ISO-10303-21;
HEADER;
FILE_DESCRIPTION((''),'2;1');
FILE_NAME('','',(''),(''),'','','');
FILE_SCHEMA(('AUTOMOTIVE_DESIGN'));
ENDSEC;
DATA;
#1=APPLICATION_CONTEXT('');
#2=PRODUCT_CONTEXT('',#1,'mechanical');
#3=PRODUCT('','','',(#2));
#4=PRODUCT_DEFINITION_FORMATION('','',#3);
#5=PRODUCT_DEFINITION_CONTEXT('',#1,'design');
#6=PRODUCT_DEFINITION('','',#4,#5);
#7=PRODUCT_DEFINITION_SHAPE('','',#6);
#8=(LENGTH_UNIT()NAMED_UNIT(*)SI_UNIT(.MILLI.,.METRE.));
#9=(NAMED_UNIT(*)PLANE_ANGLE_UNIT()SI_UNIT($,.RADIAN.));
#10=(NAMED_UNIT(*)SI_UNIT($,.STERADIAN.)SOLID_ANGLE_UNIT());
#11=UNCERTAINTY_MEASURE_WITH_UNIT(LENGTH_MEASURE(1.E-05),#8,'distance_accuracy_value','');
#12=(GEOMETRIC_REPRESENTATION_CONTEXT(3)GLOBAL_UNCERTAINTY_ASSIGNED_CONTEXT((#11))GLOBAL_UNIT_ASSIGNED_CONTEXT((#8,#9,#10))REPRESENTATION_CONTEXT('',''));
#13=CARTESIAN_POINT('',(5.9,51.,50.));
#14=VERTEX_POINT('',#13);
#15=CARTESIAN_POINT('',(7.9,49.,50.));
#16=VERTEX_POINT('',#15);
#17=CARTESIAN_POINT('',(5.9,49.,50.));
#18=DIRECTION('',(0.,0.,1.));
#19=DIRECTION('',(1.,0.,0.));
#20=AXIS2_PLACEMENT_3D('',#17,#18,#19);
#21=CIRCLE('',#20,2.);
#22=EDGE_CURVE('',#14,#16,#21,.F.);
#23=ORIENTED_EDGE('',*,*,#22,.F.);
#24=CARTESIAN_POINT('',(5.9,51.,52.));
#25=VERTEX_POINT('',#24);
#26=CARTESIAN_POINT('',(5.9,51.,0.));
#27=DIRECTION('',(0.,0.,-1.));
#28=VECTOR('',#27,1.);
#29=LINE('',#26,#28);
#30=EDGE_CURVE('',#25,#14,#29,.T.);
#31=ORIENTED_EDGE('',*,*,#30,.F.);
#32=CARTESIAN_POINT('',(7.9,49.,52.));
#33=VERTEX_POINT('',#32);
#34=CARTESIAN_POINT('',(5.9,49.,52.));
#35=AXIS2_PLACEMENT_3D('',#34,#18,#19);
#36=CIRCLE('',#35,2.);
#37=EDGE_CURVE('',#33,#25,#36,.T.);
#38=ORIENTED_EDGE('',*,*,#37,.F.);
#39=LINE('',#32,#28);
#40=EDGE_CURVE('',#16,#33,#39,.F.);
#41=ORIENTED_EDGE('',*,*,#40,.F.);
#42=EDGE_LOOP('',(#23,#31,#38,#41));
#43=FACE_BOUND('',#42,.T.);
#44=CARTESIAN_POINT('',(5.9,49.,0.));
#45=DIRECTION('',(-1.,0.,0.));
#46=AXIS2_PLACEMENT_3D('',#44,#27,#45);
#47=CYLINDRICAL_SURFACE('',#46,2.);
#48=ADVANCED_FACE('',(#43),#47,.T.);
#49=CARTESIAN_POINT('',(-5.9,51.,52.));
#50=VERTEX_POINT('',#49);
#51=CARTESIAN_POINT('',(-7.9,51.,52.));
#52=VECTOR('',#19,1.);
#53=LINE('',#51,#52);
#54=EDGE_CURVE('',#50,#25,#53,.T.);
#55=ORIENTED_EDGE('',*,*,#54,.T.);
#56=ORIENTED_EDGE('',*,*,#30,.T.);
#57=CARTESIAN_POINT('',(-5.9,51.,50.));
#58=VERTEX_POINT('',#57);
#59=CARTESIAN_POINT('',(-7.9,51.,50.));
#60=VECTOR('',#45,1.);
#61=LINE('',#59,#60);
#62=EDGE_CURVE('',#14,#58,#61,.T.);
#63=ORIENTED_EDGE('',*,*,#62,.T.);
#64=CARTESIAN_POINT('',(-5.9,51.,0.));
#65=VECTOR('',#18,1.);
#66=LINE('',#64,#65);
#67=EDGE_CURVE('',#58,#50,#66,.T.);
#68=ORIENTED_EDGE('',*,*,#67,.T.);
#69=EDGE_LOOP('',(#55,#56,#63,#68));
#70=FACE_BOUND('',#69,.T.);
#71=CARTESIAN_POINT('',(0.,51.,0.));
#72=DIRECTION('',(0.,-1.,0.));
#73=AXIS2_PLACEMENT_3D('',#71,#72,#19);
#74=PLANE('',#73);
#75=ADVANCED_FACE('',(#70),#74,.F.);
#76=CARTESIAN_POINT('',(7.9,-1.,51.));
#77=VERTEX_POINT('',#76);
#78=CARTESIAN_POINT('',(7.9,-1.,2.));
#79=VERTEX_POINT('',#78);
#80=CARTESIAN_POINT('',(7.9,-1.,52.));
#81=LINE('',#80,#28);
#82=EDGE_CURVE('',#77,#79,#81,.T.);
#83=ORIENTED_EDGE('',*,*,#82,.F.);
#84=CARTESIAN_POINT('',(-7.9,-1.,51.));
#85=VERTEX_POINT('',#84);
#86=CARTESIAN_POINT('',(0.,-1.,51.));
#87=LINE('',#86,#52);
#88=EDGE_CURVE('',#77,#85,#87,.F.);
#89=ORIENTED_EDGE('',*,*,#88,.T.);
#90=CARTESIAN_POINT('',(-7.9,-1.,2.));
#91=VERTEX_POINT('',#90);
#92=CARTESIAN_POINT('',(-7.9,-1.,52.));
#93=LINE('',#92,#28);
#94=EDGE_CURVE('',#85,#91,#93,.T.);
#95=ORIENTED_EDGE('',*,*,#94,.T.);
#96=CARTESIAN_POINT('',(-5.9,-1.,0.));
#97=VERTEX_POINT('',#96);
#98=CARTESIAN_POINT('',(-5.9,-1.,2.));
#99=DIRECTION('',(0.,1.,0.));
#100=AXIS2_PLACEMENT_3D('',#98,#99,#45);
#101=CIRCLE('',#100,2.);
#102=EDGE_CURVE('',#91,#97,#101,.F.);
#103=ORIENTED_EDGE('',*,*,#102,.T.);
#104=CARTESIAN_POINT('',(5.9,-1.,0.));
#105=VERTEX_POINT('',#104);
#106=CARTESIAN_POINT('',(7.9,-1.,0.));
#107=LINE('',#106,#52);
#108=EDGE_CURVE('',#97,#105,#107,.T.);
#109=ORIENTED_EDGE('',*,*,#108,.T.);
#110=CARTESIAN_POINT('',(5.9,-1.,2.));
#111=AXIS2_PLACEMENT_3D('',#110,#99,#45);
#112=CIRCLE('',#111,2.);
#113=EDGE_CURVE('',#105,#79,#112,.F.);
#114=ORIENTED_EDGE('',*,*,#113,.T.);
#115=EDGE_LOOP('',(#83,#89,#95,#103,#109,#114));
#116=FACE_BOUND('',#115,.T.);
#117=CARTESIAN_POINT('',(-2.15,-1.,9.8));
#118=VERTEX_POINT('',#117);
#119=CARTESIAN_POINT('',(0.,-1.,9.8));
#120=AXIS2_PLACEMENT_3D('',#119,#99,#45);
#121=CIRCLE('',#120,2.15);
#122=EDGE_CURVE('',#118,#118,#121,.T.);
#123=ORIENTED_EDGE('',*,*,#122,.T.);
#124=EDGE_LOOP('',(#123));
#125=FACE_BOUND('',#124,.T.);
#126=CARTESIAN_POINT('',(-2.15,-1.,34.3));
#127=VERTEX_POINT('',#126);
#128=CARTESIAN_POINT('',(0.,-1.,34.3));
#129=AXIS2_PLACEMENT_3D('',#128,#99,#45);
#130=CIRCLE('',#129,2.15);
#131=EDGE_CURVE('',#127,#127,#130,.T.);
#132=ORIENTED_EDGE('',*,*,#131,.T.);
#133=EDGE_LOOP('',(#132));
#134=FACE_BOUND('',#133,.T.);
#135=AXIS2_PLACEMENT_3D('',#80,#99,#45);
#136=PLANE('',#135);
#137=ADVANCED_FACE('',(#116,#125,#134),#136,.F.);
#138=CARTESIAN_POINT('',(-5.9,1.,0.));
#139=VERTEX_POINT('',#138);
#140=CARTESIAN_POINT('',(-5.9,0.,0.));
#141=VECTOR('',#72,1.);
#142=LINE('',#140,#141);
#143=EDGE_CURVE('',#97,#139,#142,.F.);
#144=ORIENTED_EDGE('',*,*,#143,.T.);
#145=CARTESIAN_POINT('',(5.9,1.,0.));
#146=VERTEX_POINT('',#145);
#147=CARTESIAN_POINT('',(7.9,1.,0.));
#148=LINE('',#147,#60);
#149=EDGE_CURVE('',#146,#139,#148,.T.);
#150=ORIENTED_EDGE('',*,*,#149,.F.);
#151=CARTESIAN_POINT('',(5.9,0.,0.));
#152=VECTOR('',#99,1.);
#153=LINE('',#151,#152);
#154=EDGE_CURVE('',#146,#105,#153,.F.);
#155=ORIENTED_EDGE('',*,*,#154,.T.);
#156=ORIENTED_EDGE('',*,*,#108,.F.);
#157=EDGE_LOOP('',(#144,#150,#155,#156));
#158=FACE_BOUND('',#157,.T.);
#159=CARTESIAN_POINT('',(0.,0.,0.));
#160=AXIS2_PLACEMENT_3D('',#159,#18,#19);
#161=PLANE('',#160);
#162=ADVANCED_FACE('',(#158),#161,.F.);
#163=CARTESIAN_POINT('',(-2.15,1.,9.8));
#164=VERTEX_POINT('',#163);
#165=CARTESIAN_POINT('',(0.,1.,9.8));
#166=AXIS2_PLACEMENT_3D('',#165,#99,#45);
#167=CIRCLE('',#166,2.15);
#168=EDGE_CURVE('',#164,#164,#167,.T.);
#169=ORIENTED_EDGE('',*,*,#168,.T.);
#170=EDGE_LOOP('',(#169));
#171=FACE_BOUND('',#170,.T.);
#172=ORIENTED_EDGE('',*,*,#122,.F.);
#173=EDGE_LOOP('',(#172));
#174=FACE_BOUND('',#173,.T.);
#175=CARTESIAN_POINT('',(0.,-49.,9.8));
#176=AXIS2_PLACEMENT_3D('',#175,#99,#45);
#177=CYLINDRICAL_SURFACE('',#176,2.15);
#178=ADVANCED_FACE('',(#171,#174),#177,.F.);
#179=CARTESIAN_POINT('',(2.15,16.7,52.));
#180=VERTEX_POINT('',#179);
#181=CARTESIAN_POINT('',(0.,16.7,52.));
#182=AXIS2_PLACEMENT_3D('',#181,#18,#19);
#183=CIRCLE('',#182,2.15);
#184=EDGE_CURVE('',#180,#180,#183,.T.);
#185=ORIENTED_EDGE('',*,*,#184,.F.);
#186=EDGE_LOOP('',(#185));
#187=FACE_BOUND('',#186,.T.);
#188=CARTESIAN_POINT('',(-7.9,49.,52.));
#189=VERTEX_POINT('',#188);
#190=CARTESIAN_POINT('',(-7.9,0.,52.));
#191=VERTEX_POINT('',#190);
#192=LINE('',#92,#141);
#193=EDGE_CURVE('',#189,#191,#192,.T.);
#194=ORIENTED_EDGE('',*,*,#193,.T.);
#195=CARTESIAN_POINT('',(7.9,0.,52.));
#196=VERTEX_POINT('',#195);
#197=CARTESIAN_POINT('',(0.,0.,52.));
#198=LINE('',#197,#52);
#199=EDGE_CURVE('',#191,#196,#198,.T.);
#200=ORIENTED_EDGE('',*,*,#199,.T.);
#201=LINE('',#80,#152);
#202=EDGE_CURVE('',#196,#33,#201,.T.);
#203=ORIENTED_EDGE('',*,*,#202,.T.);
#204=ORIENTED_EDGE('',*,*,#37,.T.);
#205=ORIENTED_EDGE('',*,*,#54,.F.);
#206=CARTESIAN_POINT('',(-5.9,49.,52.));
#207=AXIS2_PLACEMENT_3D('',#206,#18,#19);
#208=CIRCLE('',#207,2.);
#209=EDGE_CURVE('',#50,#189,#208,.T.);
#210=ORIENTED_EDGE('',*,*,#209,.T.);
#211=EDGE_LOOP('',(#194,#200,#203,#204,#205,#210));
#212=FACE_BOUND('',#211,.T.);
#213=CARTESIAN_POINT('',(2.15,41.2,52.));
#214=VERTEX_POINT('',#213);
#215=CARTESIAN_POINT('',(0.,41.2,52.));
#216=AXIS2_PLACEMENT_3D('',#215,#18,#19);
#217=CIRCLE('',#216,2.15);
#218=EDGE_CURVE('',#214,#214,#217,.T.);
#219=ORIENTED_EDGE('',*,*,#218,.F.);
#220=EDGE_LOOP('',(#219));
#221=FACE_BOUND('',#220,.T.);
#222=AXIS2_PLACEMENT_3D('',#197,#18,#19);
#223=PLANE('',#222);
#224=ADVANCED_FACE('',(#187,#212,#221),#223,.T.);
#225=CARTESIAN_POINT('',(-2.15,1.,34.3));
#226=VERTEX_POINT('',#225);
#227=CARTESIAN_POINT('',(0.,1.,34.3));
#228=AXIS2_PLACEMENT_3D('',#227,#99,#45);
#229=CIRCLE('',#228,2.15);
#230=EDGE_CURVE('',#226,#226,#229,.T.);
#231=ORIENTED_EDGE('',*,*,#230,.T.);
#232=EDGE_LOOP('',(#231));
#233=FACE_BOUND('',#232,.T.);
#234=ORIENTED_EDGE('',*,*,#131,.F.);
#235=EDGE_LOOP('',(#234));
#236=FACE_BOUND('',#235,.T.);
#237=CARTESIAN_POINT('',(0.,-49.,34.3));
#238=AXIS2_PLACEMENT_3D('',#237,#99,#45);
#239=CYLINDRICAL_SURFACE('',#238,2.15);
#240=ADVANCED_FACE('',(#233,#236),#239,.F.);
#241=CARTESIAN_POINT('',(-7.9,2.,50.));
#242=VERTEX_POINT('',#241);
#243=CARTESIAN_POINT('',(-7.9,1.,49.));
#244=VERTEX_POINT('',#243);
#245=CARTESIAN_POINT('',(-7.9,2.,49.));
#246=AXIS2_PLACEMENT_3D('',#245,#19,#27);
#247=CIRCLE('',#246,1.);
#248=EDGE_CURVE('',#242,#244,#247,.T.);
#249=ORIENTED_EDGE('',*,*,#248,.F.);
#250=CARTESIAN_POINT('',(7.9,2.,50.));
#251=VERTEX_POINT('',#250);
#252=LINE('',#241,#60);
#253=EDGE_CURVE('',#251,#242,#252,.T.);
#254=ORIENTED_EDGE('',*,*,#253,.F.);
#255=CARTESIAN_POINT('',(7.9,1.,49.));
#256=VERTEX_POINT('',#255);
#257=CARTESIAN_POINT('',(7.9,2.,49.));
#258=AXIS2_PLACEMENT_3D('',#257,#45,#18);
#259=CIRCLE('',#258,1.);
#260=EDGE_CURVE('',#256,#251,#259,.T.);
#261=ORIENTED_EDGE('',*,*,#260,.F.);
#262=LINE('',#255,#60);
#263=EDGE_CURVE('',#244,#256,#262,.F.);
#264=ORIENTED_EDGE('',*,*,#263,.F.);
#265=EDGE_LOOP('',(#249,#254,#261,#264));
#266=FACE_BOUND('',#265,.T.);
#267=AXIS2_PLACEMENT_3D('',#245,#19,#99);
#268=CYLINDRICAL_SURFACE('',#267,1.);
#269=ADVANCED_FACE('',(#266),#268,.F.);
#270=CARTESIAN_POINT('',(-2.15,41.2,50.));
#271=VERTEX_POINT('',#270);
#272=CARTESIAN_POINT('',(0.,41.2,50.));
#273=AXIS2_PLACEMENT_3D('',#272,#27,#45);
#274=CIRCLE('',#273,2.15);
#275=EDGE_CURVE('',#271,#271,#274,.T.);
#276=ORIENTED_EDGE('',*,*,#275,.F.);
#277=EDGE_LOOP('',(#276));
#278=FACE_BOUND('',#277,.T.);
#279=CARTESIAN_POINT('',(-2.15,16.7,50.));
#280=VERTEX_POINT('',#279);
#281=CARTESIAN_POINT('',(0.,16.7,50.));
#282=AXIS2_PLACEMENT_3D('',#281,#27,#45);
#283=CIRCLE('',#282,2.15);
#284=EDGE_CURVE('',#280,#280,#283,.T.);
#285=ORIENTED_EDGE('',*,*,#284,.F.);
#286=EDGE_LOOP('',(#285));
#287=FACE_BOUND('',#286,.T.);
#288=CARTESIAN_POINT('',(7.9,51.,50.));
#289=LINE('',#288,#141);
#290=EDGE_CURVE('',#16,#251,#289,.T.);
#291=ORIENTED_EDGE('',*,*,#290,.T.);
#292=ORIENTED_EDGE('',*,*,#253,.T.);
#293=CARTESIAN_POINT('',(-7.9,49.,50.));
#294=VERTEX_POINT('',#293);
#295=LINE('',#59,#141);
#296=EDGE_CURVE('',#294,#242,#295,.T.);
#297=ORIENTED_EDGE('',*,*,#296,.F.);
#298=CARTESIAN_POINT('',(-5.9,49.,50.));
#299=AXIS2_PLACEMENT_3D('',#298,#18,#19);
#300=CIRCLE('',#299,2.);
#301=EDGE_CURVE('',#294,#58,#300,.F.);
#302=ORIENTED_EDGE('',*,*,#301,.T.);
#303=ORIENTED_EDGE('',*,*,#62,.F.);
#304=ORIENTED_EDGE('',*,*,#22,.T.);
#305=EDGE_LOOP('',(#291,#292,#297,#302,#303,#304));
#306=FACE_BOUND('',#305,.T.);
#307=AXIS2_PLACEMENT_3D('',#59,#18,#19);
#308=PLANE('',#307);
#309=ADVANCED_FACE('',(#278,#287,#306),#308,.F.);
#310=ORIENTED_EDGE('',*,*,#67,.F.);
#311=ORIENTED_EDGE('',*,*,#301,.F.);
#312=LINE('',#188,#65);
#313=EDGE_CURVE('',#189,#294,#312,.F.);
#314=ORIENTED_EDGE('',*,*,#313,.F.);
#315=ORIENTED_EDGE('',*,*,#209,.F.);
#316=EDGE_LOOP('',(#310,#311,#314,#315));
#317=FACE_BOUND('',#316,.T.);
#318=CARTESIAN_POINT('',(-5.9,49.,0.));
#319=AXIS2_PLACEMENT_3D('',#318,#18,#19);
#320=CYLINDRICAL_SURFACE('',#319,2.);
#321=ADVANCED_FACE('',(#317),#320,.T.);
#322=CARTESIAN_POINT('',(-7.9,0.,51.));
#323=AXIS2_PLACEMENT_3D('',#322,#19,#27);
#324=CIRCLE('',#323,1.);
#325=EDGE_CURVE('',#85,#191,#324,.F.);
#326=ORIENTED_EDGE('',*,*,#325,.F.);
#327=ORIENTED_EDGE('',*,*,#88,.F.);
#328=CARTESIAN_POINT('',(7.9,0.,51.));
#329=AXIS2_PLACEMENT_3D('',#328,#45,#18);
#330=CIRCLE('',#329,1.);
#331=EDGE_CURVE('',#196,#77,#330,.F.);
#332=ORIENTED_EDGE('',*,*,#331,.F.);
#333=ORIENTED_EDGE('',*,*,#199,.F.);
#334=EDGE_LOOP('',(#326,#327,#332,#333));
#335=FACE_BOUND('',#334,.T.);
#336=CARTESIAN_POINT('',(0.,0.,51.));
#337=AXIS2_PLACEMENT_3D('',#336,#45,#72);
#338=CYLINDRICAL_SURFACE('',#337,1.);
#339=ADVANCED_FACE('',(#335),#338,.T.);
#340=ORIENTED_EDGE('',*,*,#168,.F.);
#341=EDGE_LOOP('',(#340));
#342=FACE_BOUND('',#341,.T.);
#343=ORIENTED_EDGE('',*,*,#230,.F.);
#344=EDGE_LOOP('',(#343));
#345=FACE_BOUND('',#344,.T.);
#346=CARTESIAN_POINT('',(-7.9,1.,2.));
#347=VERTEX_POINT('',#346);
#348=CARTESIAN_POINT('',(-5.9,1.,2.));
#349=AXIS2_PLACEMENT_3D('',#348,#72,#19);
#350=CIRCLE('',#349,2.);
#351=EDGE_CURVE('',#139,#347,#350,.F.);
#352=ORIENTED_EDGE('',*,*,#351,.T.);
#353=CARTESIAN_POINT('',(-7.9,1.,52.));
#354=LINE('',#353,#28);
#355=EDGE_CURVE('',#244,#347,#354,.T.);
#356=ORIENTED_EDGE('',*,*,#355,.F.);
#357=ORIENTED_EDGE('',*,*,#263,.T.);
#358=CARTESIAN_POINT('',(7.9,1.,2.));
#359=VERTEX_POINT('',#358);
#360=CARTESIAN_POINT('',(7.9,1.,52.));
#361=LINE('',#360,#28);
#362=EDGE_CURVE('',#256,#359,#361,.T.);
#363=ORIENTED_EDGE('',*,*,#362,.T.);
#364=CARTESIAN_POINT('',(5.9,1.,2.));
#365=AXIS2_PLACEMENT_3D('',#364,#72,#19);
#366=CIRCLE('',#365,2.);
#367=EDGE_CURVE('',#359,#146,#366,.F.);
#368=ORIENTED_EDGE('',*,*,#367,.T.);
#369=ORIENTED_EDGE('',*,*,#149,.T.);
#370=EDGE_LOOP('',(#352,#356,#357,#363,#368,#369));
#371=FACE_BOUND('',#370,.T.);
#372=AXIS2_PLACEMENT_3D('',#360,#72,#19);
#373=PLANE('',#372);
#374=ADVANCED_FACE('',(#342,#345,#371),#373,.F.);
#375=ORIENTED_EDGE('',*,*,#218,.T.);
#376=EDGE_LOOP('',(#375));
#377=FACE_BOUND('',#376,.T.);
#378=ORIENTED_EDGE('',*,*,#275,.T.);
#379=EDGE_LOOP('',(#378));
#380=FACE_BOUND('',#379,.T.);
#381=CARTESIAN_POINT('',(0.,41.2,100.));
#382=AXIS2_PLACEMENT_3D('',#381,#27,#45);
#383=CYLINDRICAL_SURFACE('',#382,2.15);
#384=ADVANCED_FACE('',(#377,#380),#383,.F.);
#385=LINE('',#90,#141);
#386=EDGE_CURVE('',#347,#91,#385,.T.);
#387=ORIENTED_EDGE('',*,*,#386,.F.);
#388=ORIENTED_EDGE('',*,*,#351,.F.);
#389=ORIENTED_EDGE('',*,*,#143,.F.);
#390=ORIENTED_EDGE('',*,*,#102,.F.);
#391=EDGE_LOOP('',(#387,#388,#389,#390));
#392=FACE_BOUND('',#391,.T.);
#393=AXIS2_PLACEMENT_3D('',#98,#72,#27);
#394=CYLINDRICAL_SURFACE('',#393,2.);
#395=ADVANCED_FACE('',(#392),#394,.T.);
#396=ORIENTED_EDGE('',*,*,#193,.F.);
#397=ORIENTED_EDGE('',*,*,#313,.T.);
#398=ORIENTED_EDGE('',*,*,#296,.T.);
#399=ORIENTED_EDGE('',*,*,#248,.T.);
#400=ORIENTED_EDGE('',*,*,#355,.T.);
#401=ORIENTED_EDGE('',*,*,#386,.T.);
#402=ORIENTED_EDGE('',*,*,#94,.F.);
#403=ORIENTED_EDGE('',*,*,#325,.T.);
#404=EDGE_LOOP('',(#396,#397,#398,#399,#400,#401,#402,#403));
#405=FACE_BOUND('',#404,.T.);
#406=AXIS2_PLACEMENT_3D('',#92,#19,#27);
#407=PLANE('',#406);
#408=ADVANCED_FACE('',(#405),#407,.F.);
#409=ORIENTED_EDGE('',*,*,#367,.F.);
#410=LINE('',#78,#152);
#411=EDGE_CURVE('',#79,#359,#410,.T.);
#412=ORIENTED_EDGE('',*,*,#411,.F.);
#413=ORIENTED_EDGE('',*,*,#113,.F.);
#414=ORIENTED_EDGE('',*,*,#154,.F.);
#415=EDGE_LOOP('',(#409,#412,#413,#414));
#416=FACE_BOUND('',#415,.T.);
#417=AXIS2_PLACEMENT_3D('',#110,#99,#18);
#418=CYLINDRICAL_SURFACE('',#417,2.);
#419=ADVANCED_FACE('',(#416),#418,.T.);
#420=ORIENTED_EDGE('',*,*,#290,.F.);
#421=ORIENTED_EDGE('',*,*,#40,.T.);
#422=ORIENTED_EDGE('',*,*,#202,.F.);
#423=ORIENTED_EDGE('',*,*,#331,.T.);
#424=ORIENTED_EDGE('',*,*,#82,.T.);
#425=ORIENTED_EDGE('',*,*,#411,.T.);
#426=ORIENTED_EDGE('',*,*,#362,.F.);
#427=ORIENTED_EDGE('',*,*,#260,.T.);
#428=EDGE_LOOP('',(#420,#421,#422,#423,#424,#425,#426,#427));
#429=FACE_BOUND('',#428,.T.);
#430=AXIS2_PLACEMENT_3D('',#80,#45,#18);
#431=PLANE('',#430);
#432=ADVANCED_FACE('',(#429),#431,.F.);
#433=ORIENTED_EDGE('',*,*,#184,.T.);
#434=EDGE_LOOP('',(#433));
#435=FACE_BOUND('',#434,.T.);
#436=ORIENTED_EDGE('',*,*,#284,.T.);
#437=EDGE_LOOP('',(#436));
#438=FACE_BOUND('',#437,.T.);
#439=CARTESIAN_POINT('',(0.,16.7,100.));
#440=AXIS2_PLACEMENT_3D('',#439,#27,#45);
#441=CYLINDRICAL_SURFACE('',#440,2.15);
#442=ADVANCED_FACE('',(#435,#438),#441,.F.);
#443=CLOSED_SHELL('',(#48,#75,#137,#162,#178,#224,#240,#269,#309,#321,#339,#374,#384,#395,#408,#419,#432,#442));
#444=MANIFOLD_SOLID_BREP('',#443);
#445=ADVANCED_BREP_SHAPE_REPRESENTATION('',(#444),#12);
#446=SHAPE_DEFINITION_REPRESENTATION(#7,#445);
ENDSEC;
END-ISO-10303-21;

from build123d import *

# Parameters (mm, degrees)
SKETCH_1_W          = 15.8
SKETCH_1_H          = 2
EXTRUDE_1_DEPTH     = 52
SKETCH_2_W          = 15.8
SKETCH_2_H          = 2
EXTRUDE_2_DEPTH     = 50
FILLET_5_R          = 1
FILLET_6_R          = 1
FILLET_7_R          = 2
FILLET_8_R          = 2
SKETCH_3_R          = 2.15
CUT_EXTRUDE_1_DEPTH = 50
SKETCH_8_R          = 2.15
CUT_EXTRUDE_3_DEPTH = 50


with BuildPart() as part:
    # 草圖1 → 填料-伸長1 (new body)
    with BuildSketch(Plane.XY):
        Rectangle(SKETCH_1_W, SKETCH_1_H)
    extrude(amount=EXTRUDE_1_DEPTH)

    # 草圖2 → 填料-伸長2 (add)
    with BuildSketch(Plane(origin=(0, 1, 0), x_dir=(1, 0, 0), z_dir=(0, 1, 0))):
        with Locations((0, -51)):
            Rectangle(SKETCH_2_W, SKETCH_2_H)
    extrude(amount=EXTRUDE_2_DEPTH)

    # 圓角5
    fillet_5_edges = [part.edges().sort_by_distance(p)[0] for p in [
        (0, -1, 52),
    ]]
    fillet(fillet_5_edges, radius=FILLET_5_R)

    # 圓角6
    fillet_6_edges = [part.edges().sort_by_distance(p)[0] for p in [
        (0, 1, 50),
    ]]
    fillet(fillet_6_edges, radius=FILLET_6_R)

    # 圓角7
    fillet_7_edges = [part.edges().sort_by_distance(p)[0] for p in [
        (7.9, 51, 51),
    ]]
    fillet(fillet_7_edges, radius=FILLET_7_R)

    # 圓角8
    fillet_8_edges = [part.edges().sort_by_distance(p)[0] for p in [
        (-7.9, 51, 51),
        (7.9, 0, 0),
        (-7.9, 0, 0),
    ]]
    fillet(fillet_8_edges, radius=FILLET_8_R)

    # 草圖3 → 除料-伸長1 (cut)
    with BuildSketch(Plane(origin=(0, 0, 50), x_dir=(-1, 0, 0), z_dir=(0, 0, -1))):
        with Locations((0, 41.2)):
            Circle(SKETCH_3_R)
        with Locations((0, 16.7)):
            Circle(SKETCH_3_R)
    extrude(amount=-CUT_EXTRUDE_1_DEPTH, mode=Mode.SUBTRACT)

    # 草圖8 → 除料-伸長3 (cut)
    with BuildSketch(Plane(origin=(0, 1, 0), x_dir=(1, 0, 0), z_dir=(0, 1, 0))):
        with Locations(Location((0, -9.8, 0), (0, 0, 180))):
            Circle(SKETCH_8_R)
        with Locations(Location((0, -34.3, 0), (0, 0, 180))):
            Circle(SKETCH_8_R)
    extrude(amount=-CUT_EXTRUDE_3_DEPTH, mode=Mode.SUBTRACT)


solid = part.part
